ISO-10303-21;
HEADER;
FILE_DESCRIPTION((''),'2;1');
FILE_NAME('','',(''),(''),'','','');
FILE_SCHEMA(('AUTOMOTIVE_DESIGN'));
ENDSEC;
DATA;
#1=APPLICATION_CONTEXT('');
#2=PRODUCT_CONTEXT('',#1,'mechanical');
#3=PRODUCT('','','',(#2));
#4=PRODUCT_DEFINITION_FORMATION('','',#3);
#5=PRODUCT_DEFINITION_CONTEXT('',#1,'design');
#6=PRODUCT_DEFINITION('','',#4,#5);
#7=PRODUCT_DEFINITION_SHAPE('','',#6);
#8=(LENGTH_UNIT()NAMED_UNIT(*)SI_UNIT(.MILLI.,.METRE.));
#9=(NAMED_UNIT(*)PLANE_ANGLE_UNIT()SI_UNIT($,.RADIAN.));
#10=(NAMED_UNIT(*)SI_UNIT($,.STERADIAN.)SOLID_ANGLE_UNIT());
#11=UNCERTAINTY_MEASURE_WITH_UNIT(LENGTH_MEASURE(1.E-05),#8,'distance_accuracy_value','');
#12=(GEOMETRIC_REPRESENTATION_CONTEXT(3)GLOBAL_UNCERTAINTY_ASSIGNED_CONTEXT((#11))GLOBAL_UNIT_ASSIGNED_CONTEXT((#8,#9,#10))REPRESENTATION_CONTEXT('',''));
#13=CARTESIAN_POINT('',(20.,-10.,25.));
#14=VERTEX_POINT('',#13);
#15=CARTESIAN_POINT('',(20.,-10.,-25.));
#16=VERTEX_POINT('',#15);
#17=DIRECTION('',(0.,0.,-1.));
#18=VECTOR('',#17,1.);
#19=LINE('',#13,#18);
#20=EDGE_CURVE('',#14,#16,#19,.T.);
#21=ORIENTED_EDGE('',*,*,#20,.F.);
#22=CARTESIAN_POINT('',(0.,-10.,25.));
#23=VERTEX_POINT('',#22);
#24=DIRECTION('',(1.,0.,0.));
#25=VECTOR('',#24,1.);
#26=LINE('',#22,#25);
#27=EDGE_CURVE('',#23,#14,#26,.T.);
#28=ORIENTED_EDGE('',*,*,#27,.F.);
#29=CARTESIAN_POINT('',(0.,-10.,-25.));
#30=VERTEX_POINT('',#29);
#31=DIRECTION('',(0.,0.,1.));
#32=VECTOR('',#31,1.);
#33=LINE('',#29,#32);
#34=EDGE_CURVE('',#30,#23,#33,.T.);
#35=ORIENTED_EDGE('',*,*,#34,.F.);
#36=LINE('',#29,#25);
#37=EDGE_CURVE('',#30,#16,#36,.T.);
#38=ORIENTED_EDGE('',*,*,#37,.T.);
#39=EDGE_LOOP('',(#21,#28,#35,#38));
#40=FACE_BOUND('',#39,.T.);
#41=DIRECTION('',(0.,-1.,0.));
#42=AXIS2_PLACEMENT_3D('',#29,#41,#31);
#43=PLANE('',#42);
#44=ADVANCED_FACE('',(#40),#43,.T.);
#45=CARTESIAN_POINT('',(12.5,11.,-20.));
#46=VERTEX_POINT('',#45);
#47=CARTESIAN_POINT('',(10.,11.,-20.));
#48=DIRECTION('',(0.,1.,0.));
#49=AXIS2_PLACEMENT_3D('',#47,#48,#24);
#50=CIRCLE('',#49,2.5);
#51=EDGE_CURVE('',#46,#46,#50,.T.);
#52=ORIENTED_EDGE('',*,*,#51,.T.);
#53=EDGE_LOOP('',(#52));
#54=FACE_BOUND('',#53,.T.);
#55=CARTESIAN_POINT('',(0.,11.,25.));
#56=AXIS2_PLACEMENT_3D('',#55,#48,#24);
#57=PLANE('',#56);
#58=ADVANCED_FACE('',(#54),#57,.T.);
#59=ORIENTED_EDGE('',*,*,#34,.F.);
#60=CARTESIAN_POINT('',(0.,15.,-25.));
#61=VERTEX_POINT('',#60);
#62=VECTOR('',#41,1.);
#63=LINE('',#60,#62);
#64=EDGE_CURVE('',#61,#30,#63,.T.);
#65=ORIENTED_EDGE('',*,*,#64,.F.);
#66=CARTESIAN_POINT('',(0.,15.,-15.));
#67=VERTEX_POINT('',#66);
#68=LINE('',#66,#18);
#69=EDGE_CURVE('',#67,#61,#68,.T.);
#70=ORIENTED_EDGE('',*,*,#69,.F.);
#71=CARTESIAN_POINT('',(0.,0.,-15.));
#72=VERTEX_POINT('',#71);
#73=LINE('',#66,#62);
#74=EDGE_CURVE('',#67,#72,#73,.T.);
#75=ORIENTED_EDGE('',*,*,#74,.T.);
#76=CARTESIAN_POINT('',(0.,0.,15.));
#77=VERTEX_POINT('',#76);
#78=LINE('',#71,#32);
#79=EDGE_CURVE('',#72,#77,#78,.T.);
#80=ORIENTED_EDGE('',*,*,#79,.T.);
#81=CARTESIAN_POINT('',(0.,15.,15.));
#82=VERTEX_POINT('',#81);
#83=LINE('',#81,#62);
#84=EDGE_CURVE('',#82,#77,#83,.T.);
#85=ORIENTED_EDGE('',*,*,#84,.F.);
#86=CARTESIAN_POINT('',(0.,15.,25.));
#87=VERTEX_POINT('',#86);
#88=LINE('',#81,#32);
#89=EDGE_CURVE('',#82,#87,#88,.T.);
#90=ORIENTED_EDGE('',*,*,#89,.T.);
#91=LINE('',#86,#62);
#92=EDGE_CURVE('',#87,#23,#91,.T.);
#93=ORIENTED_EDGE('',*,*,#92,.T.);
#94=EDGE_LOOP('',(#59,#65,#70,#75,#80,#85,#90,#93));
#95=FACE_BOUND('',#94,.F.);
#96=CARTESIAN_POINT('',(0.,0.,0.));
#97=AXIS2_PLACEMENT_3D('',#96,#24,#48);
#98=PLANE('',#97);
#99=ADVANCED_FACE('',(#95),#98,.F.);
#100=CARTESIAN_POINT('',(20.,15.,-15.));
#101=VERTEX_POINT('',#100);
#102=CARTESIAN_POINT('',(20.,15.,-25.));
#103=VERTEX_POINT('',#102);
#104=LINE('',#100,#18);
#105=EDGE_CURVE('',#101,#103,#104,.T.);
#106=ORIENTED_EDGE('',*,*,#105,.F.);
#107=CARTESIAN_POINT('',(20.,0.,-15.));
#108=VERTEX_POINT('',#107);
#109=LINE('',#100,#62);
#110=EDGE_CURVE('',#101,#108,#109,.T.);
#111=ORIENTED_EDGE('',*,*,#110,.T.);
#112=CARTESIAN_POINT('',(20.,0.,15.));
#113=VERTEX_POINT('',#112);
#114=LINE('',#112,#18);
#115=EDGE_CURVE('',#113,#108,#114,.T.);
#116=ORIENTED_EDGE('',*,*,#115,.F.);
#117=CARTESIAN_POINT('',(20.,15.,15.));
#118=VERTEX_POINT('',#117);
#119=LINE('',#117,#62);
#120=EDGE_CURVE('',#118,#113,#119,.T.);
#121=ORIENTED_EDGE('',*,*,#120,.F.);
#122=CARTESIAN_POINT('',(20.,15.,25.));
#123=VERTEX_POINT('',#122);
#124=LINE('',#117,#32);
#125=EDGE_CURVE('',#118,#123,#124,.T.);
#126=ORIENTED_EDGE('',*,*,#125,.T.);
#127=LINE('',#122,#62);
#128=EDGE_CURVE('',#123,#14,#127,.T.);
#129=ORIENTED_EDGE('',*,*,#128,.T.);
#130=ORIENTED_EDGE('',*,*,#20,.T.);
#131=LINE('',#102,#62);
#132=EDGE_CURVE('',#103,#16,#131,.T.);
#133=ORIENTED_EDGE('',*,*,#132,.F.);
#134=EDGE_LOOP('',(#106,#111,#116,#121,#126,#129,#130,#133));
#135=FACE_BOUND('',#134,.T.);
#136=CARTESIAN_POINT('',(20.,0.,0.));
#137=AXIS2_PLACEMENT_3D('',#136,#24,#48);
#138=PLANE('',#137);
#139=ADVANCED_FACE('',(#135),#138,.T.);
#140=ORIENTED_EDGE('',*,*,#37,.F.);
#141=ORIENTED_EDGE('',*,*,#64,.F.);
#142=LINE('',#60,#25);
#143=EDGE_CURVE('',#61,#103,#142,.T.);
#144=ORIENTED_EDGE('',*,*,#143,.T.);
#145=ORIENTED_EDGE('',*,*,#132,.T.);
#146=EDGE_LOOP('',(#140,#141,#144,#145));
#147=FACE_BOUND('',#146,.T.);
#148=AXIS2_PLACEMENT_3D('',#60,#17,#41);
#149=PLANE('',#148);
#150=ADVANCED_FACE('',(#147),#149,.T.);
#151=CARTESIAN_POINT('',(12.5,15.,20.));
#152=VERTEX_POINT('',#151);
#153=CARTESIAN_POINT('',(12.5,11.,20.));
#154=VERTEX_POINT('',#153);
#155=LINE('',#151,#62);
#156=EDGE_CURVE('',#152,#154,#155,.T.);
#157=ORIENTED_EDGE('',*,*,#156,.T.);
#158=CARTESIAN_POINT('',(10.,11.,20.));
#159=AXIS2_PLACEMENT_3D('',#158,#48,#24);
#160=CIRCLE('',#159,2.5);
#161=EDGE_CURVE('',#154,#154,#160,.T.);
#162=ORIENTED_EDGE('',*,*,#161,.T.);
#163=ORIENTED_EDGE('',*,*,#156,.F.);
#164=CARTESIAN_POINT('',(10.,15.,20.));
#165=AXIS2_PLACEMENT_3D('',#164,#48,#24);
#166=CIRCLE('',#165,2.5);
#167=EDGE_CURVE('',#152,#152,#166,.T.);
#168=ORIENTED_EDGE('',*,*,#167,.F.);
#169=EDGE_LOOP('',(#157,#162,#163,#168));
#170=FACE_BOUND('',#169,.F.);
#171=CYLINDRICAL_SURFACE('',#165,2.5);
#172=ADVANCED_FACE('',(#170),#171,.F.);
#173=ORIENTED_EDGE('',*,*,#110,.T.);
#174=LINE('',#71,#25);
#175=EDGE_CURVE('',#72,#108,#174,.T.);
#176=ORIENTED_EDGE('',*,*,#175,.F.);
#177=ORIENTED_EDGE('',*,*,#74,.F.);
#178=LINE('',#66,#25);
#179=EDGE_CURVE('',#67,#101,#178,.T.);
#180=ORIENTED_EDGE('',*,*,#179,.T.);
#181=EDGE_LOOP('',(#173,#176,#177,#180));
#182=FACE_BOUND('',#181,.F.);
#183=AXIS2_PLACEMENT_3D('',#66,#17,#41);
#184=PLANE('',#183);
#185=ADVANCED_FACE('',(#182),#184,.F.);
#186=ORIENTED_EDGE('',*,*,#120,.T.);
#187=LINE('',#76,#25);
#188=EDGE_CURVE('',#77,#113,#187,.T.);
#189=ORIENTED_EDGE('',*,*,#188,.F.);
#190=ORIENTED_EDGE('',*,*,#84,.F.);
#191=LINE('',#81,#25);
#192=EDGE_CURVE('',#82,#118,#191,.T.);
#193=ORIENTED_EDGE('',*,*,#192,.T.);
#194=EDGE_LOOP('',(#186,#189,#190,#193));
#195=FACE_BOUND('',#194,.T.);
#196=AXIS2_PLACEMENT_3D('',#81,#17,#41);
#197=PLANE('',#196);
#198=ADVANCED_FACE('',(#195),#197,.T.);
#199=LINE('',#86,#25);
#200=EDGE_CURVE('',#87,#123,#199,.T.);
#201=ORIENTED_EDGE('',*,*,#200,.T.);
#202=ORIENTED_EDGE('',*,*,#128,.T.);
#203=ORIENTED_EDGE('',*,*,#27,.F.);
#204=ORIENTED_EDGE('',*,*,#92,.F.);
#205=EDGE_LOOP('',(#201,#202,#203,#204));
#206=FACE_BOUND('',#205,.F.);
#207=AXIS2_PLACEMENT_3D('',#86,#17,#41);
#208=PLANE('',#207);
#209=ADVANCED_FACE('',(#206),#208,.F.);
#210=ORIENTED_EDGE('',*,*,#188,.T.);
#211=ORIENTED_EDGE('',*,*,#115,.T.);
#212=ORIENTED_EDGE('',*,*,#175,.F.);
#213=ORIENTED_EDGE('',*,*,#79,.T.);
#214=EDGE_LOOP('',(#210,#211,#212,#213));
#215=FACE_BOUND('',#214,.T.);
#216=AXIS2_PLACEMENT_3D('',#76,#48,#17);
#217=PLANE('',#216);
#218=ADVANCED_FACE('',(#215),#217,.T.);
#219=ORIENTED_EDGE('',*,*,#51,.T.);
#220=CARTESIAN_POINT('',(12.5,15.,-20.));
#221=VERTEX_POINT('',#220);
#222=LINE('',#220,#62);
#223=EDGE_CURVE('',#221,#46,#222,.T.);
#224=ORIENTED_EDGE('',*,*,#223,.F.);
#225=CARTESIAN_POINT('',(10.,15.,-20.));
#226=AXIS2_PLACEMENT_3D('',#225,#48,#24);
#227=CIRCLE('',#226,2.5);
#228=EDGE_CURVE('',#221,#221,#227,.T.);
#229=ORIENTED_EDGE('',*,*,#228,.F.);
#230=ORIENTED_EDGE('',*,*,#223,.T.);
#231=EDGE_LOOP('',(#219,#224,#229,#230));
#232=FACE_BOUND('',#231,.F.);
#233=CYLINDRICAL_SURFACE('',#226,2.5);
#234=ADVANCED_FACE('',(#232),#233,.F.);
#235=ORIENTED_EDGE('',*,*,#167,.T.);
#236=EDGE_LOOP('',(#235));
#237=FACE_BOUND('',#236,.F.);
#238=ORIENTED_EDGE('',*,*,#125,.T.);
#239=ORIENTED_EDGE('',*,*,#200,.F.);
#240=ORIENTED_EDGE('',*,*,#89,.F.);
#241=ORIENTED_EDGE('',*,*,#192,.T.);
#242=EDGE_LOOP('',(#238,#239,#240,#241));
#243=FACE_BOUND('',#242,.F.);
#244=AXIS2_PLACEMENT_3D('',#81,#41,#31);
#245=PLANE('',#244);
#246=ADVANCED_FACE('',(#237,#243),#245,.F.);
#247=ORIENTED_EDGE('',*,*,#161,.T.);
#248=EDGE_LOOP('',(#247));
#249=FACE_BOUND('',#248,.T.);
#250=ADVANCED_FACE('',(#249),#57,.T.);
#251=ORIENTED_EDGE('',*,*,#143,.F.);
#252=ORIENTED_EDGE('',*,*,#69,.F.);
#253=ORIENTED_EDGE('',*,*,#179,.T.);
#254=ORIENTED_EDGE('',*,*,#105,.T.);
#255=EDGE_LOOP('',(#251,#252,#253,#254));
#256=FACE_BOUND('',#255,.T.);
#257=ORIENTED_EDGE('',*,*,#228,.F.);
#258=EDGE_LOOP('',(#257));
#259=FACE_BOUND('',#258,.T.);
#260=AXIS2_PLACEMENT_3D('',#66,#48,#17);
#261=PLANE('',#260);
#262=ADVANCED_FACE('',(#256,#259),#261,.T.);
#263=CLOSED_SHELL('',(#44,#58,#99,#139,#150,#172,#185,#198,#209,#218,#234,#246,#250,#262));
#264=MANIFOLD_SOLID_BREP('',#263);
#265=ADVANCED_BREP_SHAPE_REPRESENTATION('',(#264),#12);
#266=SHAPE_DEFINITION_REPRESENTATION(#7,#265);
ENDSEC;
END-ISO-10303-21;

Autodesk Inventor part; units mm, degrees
ref_plane "YZ Plane" through (0, 0, 0) normal (1, 0, 0) x (0, 1, 0)
ref_plane "XZ Plane" through (0, 0, 0) normal (0, 1, 0) x (-1, 0, 0)
ref_plane "XY Plane" through (0, 0, 0) normal (0, 0, 1) x (1, 0, 0)
sketch "Sketch1" plane through (0, 0, 0) normal (1, 0, 0) x (0, 1, 0)
  line L0 (15, 15) -> (0, 15)
  line L1 (0, 15) -> (0, 0)
  line L2 (15, 15) -> (15, 0) construction
  line L3 (15, 15) -> (15, 25)
  line L4 (15, 25) -> (-10, 25)
  line L5 (-10, 25) -> (-10, 0)
  line L6 (-10, 0) -> (15, 0) construction
  line L7 (15, -15) -> (0, -15)
  line L8 (0, -15) -> (0, 0)
  line L9 (15, -15) -> (15, 0) construction
  line L10 (15, -15) -> (15, -25)
  line L11 (15, -25) -> (-10, -25)
  line L12 (-10, -25) -> (-10, 0)
  dimension "d0" = 15
  dimension "d1" = 15
  dimension "d2" = 10
  dimension "d3" = 25
extrude "Extrusion1" add sketch "Sketch1" along normal blind 20
sketch "Sketch2" plane through (0, 15, 25) normal (0, 1, 0) x (1, 0, 0)
  line L0 (0, 25) -> (20, 25) construction
  line L1 (20, 40) -> (20, 10) construction
  line L2 (20, 0) -> (20, 50) construction
  line L3 (0, 10) -> (20, 10) construction
  line L4 (20, 0) -> (0, 10) construction
  line L5 (0, 0) -> (20, 0) construction
  line L6 (0, 0) -> (20, 10) construction
  circle A0 centre (10, 5) radius 2.5
  circle A1 centre (10, 45) radius 2.5
  dimension "d6" = 5
extrude "Extrusion2" cut sketch "Sketch2" against normal blind 4
properties part number "aux_axis_cap"
